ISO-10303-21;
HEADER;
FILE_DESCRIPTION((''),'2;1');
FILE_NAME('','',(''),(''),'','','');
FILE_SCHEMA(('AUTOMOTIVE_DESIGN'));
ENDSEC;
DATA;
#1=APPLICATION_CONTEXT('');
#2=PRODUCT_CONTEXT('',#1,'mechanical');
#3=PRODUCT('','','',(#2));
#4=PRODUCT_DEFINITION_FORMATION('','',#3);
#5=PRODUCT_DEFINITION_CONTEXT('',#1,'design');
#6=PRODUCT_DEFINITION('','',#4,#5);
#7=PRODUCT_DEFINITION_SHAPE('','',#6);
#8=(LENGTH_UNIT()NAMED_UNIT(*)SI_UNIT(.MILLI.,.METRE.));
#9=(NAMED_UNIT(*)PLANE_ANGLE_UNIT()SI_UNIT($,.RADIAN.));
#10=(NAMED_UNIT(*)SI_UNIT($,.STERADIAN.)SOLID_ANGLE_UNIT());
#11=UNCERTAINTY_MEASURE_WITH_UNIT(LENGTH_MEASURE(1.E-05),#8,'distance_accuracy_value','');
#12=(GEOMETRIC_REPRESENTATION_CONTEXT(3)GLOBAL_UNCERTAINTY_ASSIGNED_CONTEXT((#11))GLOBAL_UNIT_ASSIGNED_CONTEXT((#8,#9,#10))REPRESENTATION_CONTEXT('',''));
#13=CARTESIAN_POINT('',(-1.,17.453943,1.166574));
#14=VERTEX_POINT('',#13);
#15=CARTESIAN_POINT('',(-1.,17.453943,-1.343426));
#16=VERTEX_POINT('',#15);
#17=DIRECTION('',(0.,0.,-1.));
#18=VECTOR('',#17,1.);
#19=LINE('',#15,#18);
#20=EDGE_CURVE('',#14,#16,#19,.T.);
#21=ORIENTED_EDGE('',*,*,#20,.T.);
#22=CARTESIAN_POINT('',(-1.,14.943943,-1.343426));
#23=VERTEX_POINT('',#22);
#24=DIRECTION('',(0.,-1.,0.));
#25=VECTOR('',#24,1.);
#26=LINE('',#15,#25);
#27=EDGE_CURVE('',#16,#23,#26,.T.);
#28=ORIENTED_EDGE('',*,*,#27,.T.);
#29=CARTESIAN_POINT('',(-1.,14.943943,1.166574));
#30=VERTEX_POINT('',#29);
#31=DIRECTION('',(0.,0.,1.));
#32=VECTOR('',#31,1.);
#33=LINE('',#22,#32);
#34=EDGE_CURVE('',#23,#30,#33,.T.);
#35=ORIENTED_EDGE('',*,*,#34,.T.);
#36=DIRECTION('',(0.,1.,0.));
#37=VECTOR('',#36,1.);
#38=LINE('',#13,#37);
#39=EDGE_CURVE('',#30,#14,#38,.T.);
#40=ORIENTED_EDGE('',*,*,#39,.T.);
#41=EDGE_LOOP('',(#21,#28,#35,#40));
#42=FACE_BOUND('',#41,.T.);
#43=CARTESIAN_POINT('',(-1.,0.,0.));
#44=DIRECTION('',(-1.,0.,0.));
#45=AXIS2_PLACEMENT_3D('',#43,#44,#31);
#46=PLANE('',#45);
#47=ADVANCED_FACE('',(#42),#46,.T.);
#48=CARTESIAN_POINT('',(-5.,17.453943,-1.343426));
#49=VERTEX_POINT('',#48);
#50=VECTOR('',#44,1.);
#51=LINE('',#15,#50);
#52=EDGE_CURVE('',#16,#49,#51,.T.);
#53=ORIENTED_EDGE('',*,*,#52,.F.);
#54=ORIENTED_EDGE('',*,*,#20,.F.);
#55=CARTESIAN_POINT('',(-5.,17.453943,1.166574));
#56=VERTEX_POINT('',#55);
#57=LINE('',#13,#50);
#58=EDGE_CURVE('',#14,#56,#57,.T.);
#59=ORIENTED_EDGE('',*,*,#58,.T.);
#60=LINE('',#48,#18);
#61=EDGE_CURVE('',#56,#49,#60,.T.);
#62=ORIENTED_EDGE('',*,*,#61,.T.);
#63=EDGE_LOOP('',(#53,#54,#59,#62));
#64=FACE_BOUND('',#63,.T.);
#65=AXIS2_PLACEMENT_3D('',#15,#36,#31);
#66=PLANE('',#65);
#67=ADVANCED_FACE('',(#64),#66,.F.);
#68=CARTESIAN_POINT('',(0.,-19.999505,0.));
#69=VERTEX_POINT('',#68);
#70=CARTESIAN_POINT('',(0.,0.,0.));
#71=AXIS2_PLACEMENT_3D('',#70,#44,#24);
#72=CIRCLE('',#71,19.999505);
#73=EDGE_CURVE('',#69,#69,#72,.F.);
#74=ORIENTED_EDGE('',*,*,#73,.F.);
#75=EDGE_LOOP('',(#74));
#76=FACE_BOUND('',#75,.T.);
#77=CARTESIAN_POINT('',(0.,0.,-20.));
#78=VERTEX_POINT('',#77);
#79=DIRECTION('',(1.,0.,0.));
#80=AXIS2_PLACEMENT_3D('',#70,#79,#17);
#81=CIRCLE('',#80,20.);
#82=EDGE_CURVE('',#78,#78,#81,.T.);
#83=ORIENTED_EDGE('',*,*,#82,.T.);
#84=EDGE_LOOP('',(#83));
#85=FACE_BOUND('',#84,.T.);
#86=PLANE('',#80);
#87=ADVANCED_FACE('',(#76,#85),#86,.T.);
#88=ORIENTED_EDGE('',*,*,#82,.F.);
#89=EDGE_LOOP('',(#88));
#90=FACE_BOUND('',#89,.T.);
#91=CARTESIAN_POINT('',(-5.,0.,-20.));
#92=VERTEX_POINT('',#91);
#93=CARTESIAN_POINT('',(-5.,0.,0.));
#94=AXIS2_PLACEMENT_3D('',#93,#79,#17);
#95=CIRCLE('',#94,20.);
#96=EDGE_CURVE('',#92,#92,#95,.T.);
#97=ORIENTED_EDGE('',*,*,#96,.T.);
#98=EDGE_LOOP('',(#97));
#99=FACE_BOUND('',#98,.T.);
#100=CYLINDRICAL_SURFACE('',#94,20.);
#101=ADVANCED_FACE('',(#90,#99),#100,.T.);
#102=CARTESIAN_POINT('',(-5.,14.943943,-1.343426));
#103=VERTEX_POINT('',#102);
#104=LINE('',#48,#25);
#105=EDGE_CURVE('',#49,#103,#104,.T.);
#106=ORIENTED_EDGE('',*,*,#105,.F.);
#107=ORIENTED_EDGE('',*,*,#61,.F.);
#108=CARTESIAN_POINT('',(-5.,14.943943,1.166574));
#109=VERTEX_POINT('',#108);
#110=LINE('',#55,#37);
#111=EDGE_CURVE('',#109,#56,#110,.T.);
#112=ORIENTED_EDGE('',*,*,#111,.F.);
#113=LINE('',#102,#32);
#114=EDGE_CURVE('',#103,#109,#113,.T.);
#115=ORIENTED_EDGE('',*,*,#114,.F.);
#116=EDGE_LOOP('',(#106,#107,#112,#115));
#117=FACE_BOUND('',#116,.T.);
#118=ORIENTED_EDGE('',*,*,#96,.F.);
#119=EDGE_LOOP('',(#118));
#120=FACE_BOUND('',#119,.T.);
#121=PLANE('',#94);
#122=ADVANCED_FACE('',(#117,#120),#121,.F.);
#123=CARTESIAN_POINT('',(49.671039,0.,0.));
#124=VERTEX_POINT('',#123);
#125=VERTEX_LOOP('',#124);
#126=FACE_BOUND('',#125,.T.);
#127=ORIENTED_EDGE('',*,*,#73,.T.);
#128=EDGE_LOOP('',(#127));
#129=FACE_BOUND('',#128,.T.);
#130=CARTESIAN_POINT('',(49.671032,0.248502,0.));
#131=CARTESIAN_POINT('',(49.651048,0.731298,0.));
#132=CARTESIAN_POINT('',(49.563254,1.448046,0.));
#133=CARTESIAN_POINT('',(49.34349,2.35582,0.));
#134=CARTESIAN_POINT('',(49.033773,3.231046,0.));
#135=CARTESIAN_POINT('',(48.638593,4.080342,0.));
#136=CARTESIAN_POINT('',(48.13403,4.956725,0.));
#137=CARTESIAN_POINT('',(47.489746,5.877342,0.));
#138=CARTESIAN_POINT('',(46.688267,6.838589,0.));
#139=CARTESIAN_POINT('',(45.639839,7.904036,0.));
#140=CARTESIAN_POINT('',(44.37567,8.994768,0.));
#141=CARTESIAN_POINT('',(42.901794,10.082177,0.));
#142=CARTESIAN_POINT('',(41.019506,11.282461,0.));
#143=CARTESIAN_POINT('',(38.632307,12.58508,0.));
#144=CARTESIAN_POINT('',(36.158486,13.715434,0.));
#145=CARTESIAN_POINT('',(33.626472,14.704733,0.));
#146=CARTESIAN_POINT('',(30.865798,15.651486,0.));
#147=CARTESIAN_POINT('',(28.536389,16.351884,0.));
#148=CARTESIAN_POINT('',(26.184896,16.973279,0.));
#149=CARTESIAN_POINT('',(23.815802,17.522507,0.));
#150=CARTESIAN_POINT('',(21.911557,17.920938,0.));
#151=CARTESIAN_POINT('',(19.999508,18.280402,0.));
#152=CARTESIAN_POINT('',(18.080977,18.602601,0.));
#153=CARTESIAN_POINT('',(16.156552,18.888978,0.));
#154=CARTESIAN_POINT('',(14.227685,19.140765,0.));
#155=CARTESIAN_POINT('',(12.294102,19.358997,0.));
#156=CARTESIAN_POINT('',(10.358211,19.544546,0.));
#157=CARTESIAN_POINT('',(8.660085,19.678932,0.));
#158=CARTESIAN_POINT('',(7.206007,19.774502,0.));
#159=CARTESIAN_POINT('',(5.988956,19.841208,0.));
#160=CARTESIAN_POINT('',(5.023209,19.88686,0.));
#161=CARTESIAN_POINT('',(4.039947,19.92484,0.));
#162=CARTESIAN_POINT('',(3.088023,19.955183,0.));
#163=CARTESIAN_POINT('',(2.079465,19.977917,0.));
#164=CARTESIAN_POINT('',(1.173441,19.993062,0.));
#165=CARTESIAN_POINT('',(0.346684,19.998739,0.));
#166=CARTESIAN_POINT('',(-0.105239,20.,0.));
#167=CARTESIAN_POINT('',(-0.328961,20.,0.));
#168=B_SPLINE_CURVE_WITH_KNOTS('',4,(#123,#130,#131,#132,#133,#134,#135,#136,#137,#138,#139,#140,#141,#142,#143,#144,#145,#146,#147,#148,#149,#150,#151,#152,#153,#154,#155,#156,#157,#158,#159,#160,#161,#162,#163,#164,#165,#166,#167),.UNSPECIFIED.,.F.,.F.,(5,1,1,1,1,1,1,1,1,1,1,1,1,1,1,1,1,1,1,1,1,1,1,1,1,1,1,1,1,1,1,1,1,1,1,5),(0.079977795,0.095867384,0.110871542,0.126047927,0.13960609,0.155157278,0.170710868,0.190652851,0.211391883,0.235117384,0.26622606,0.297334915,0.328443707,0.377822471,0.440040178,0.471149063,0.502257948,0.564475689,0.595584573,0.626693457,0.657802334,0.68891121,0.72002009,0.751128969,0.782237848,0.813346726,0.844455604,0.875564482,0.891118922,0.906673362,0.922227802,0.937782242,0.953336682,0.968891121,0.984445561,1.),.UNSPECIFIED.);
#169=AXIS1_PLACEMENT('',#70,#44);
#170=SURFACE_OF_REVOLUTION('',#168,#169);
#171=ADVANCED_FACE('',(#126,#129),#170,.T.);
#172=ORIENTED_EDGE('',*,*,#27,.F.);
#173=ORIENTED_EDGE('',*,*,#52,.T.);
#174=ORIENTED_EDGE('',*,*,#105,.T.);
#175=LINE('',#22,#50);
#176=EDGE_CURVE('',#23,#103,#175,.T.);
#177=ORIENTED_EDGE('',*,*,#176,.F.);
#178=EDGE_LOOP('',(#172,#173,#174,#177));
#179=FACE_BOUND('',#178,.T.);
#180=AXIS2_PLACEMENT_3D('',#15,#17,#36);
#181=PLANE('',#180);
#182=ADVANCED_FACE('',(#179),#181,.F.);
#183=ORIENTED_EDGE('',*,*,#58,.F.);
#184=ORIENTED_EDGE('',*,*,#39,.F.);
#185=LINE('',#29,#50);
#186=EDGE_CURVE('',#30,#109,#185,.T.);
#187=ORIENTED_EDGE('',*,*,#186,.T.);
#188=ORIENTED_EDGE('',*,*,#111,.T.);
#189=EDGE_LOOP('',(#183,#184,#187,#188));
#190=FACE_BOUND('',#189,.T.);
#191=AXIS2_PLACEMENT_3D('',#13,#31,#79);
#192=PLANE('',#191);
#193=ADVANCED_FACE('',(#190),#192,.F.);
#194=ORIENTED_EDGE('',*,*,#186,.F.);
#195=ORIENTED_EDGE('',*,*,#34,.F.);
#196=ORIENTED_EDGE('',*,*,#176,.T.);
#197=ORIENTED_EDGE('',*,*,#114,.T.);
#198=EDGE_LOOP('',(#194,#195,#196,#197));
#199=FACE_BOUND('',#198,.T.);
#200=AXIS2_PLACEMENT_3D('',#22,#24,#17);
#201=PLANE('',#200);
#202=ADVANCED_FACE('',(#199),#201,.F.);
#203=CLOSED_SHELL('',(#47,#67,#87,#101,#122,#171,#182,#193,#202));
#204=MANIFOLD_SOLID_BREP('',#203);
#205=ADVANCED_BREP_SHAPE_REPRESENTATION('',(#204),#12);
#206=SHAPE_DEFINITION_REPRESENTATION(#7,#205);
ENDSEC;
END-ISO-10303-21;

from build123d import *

# Parameters (mm, degrees)
SKETCH6_R           = 20
BOSS_EXTRUDE6_DEPTH = 5
SKETCH7_W           = 2.51
SKETCH7_H           = 2.51
CUT_EXTRUDE2_DEPTH  = 4


with BuildPart() as part:
    # Sketch5 → Revolve1 (revolve)
    with BuildSketch(Plane.XY, mode=Mode.PRIVATE) as revolve1_sk:
        with BuildLine():
            Line((-0.328961319, 20), (0, 0))
            Line((0, 0), (49.671038681, 0))
            add(Edge.make_bspline(
                [(-0.328961319, 20), (-0.105238787, 20), (0.346683768, 19.998738518), (1.17344146, 19.993061836), (2.07946465, 19.97791728), (3.088023411, 19.955183498), (4.039946825, 19.924840097), (5.023208706, 19.886859758), (5.988955504, 19.841208052), (7.206007116, 19.774502332), (8.660085037, 19.678931594), (10.358210996, 19.544546485), (12.294101895, 19.358997269), (14.227685252, 19.140764557), (16.156551584, 18.888978238), (18.080976902, 18.602600939), (19.999508375, 18.280402065), (21.911557404, 17.920937974), (23.815801584, 17.522506625), (26.184896379, 16.973278777), (28.536388947, 16.351883769), (30.865797773, 15.651486078), (33.626471787, 14.704732977), (36.158486008, 13.715434332), (38.632307398, 12.58508043), (41.01950592, 11.282461155), (42.901793813, 10.082177334), (44.375669895, 8.994767711), (45.639838989, 7.904036264), (46.6882672, 6.838589372), (47.489746286, 5.877342008), (48.134030074, 4.956724542), (48.638593095, 4.08034154), (49.033772714, 3.23104563), (49.343490389, 2.35581971), (49.563253783, 1.448045849), (49.651047512, 0.731297667), (49.67103155, 0.248502323), (49.671038681, 0)],
                knots=[0.079977795, 0.079977795, 0.079977795, 0.079977795, 0.079977795, 0.095532234, 0.111086674, 0.126641113, 0.142195553, 0.157749993, 0.173304433, 0.188858873, 0.204413313, 0.235522191, 0.266631069, 0.297739947, 0.328848826, 0.359957705, 0.391066585, 0.422175461, 0.453284338, 0.484393222, 0.515502106, 0.577719847, 0.608828732, 0.639937617, 0.702155324, 0.751534088, 0.78264288, 0.813751735, 0.844860411, 0.868585912, 0.889324944, 0.909266927, 0.924820517, 0.940371705, 0.953929868, 0.969106253, 0.984110411, 1, 1, 1, 1, 1], degree=4))
        make_face()
    revolve(revolve1_sk.sketch.rotate(Axis((0, 0, 0), (1, 0, 0)), 180), axis=Axis((0, 0, 0), (1, 0, 0)))

    # Sketch6 → Boss-Extrude6 (add)
    with BuildSketch(Plane(origin=(0, 0, 0), x_dir=(0, 0, -1), z_dir=(1, 0, 0))):
        Circle(SKETCH6_R)
    extrude(amount=-BOSS_EXTRUDE6_DEPTH)

    # Sketch7 → Cut-Extrude2 (cut)
    with BuildSketch(Plane.ZY.offset(5)):
        with Locations((-0.088426048, 16.198942945)):
            Rectangle(SKETCH7_W, SKETCH7_H)
    extrude(amount=-CUT_EXTRUDE2_DEPTH, mode=Mode.SUBTRACT)


solid = part.part
